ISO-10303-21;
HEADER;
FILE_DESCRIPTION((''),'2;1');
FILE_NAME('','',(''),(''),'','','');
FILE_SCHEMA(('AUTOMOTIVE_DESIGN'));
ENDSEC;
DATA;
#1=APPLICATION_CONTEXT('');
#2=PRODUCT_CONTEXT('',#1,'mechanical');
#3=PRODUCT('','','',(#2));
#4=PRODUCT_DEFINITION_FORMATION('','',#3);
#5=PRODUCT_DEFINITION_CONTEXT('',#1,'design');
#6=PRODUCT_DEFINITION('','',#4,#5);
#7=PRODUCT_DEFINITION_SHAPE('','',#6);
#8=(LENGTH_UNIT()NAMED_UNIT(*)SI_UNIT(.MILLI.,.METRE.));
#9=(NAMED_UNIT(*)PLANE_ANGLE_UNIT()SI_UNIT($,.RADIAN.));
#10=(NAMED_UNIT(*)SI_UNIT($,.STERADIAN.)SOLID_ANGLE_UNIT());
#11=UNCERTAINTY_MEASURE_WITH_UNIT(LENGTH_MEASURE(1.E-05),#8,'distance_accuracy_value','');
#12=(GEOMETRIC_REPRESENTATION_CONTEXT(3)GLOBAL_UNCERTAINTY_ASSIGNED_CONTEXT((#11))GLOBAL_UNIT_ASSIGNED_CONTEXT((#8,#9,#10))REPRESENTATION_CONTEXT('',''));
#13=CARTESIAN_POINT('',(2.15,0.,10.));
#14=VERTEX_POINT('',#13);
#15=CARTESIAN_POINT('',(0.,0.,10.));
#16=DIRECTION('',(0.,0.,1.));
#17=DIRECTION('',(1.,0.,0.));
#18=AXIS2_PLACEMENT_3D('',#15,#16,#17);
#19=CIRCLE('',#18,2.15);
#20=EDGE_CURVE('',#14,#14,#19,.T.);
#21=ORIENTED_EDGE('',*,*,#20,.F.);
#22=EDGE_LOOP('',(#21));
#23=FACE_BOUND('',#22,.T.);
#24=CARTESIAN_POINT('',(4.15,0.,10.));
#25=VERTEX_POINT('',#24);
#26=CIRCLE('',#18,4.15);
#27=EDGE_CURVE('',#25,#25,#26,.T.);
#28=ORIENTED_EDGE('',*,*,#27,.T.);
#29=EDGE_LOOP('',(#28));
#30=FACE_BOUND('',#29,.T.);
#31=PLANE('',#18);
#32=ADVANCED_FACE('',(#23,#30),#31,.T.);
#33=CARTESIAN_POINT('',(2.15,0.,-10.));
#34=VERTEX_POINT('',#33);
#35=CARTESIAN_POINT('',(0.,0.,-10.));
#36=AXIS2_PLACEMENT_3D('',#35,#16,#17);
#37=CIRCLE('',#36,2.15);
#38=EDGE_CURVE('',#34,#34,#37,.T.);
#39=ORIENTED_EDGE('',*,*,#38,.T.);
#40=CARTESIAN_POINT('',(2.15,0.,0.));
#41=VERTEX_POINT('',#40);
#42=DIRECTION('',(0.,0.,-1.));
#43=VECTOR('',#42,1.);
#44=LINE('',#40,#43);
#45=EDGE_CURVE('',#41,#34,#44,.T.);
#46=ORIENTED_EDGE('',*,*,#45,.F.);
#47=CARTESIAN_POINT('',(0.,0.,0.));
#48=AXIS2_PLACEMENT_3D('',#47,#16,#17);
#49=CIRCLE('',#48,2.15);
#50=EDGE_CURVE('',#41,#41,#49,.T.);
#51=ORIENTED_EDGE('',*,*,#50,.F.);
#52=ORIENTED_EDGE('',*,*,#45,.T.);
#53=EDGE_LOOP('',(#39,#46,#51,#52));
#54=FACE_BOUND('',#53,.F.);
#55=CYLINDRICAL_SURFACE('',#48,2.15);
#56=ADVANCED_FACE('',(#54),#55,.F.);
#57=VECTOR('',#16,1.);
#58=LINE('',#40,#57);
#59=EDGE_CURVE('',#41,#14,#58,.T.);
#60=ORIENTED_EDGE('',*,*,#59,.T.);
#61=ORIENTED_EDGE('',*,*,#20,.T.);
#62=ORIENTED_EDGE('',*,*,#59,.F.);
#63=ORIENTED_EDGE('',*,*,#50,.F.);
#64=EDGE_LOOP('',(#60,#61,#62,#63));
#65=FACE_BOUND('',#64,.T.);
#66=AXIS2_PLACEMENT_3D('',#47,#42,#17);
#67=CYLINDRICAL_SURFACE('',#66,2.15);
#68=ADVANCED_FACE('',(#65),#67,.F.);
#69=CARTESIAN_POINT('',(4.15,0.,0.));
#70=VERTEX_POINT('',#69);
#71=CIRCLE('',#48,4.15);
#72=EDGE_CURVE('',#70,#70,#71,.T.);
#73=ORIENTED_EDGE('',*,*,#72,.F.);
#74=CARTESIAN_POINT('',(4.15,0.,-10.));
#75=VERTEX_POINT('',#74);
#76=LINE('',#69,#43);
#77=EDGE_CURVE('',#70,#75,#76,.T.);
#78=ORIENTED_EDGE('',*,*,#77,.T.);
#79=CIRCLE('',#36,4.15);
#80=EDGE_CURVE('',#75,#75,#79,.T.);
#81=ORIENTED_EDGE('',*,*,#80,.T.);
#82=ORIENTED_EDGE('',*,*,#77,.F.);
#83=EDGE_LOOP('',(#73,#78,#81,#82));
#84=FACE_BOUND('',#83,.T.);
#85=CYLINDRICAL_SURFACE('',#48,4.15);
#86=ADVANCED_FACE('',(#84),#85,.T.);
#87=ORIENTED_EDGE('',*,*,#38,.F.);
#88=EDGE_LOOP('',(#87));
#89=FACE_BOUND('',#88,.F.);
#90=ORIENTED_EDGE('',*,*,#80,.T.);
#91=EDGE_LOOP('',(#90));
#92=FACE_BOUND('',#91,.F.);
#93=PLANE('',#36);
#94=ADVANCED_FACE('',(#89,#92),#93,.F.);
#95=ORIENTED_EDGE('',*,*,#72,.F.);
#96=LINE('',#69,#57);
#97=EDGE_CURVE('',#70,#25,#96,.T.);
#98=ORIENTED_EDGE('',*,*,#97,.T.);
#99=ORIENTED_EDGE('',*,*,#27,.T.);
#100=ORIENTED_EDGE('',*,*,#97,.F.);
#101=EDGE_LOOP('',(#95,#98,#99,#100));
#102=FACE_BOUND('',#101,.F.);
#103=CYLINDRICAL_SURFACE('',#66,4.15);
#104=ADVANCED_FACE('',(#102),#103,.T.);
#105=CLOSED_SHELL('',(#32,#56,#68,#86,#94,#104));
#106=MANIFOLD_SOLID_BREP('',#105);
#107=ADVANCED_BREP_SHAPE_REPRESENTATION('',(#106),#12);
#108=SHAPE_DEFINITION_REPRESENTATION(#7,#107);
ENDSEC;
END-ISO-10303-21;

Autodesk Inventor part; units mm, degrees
ref_plane "YZ Plane" through (0, 0, 0) normal (1, 0, 0) x (0, 1, 0)
ref_plane "XZ Plane" through (0, 0, 0) normal (0, 1, 0) x (-1, 0, 0)
ref_plane "XY Plane" through (0, 0, 0) normal (0, 0, 1) x (1, 0, 0)
sketch "スケッチ1" plane through (0, 0, 0) normal (0, 0, 1) x (1, 0, 0)
  circle A0 centre (0, 0) radius 2.15
  circle A1 centre (0, 0) radius 4.15
  dimension "d0" = 4.3
  dimension "d1" = 8.3
extrude "押し出し1" add sketch "スケッチ1" along normal mid plane 20
properties part number "スペーサ20mm_内径3.3mm"
